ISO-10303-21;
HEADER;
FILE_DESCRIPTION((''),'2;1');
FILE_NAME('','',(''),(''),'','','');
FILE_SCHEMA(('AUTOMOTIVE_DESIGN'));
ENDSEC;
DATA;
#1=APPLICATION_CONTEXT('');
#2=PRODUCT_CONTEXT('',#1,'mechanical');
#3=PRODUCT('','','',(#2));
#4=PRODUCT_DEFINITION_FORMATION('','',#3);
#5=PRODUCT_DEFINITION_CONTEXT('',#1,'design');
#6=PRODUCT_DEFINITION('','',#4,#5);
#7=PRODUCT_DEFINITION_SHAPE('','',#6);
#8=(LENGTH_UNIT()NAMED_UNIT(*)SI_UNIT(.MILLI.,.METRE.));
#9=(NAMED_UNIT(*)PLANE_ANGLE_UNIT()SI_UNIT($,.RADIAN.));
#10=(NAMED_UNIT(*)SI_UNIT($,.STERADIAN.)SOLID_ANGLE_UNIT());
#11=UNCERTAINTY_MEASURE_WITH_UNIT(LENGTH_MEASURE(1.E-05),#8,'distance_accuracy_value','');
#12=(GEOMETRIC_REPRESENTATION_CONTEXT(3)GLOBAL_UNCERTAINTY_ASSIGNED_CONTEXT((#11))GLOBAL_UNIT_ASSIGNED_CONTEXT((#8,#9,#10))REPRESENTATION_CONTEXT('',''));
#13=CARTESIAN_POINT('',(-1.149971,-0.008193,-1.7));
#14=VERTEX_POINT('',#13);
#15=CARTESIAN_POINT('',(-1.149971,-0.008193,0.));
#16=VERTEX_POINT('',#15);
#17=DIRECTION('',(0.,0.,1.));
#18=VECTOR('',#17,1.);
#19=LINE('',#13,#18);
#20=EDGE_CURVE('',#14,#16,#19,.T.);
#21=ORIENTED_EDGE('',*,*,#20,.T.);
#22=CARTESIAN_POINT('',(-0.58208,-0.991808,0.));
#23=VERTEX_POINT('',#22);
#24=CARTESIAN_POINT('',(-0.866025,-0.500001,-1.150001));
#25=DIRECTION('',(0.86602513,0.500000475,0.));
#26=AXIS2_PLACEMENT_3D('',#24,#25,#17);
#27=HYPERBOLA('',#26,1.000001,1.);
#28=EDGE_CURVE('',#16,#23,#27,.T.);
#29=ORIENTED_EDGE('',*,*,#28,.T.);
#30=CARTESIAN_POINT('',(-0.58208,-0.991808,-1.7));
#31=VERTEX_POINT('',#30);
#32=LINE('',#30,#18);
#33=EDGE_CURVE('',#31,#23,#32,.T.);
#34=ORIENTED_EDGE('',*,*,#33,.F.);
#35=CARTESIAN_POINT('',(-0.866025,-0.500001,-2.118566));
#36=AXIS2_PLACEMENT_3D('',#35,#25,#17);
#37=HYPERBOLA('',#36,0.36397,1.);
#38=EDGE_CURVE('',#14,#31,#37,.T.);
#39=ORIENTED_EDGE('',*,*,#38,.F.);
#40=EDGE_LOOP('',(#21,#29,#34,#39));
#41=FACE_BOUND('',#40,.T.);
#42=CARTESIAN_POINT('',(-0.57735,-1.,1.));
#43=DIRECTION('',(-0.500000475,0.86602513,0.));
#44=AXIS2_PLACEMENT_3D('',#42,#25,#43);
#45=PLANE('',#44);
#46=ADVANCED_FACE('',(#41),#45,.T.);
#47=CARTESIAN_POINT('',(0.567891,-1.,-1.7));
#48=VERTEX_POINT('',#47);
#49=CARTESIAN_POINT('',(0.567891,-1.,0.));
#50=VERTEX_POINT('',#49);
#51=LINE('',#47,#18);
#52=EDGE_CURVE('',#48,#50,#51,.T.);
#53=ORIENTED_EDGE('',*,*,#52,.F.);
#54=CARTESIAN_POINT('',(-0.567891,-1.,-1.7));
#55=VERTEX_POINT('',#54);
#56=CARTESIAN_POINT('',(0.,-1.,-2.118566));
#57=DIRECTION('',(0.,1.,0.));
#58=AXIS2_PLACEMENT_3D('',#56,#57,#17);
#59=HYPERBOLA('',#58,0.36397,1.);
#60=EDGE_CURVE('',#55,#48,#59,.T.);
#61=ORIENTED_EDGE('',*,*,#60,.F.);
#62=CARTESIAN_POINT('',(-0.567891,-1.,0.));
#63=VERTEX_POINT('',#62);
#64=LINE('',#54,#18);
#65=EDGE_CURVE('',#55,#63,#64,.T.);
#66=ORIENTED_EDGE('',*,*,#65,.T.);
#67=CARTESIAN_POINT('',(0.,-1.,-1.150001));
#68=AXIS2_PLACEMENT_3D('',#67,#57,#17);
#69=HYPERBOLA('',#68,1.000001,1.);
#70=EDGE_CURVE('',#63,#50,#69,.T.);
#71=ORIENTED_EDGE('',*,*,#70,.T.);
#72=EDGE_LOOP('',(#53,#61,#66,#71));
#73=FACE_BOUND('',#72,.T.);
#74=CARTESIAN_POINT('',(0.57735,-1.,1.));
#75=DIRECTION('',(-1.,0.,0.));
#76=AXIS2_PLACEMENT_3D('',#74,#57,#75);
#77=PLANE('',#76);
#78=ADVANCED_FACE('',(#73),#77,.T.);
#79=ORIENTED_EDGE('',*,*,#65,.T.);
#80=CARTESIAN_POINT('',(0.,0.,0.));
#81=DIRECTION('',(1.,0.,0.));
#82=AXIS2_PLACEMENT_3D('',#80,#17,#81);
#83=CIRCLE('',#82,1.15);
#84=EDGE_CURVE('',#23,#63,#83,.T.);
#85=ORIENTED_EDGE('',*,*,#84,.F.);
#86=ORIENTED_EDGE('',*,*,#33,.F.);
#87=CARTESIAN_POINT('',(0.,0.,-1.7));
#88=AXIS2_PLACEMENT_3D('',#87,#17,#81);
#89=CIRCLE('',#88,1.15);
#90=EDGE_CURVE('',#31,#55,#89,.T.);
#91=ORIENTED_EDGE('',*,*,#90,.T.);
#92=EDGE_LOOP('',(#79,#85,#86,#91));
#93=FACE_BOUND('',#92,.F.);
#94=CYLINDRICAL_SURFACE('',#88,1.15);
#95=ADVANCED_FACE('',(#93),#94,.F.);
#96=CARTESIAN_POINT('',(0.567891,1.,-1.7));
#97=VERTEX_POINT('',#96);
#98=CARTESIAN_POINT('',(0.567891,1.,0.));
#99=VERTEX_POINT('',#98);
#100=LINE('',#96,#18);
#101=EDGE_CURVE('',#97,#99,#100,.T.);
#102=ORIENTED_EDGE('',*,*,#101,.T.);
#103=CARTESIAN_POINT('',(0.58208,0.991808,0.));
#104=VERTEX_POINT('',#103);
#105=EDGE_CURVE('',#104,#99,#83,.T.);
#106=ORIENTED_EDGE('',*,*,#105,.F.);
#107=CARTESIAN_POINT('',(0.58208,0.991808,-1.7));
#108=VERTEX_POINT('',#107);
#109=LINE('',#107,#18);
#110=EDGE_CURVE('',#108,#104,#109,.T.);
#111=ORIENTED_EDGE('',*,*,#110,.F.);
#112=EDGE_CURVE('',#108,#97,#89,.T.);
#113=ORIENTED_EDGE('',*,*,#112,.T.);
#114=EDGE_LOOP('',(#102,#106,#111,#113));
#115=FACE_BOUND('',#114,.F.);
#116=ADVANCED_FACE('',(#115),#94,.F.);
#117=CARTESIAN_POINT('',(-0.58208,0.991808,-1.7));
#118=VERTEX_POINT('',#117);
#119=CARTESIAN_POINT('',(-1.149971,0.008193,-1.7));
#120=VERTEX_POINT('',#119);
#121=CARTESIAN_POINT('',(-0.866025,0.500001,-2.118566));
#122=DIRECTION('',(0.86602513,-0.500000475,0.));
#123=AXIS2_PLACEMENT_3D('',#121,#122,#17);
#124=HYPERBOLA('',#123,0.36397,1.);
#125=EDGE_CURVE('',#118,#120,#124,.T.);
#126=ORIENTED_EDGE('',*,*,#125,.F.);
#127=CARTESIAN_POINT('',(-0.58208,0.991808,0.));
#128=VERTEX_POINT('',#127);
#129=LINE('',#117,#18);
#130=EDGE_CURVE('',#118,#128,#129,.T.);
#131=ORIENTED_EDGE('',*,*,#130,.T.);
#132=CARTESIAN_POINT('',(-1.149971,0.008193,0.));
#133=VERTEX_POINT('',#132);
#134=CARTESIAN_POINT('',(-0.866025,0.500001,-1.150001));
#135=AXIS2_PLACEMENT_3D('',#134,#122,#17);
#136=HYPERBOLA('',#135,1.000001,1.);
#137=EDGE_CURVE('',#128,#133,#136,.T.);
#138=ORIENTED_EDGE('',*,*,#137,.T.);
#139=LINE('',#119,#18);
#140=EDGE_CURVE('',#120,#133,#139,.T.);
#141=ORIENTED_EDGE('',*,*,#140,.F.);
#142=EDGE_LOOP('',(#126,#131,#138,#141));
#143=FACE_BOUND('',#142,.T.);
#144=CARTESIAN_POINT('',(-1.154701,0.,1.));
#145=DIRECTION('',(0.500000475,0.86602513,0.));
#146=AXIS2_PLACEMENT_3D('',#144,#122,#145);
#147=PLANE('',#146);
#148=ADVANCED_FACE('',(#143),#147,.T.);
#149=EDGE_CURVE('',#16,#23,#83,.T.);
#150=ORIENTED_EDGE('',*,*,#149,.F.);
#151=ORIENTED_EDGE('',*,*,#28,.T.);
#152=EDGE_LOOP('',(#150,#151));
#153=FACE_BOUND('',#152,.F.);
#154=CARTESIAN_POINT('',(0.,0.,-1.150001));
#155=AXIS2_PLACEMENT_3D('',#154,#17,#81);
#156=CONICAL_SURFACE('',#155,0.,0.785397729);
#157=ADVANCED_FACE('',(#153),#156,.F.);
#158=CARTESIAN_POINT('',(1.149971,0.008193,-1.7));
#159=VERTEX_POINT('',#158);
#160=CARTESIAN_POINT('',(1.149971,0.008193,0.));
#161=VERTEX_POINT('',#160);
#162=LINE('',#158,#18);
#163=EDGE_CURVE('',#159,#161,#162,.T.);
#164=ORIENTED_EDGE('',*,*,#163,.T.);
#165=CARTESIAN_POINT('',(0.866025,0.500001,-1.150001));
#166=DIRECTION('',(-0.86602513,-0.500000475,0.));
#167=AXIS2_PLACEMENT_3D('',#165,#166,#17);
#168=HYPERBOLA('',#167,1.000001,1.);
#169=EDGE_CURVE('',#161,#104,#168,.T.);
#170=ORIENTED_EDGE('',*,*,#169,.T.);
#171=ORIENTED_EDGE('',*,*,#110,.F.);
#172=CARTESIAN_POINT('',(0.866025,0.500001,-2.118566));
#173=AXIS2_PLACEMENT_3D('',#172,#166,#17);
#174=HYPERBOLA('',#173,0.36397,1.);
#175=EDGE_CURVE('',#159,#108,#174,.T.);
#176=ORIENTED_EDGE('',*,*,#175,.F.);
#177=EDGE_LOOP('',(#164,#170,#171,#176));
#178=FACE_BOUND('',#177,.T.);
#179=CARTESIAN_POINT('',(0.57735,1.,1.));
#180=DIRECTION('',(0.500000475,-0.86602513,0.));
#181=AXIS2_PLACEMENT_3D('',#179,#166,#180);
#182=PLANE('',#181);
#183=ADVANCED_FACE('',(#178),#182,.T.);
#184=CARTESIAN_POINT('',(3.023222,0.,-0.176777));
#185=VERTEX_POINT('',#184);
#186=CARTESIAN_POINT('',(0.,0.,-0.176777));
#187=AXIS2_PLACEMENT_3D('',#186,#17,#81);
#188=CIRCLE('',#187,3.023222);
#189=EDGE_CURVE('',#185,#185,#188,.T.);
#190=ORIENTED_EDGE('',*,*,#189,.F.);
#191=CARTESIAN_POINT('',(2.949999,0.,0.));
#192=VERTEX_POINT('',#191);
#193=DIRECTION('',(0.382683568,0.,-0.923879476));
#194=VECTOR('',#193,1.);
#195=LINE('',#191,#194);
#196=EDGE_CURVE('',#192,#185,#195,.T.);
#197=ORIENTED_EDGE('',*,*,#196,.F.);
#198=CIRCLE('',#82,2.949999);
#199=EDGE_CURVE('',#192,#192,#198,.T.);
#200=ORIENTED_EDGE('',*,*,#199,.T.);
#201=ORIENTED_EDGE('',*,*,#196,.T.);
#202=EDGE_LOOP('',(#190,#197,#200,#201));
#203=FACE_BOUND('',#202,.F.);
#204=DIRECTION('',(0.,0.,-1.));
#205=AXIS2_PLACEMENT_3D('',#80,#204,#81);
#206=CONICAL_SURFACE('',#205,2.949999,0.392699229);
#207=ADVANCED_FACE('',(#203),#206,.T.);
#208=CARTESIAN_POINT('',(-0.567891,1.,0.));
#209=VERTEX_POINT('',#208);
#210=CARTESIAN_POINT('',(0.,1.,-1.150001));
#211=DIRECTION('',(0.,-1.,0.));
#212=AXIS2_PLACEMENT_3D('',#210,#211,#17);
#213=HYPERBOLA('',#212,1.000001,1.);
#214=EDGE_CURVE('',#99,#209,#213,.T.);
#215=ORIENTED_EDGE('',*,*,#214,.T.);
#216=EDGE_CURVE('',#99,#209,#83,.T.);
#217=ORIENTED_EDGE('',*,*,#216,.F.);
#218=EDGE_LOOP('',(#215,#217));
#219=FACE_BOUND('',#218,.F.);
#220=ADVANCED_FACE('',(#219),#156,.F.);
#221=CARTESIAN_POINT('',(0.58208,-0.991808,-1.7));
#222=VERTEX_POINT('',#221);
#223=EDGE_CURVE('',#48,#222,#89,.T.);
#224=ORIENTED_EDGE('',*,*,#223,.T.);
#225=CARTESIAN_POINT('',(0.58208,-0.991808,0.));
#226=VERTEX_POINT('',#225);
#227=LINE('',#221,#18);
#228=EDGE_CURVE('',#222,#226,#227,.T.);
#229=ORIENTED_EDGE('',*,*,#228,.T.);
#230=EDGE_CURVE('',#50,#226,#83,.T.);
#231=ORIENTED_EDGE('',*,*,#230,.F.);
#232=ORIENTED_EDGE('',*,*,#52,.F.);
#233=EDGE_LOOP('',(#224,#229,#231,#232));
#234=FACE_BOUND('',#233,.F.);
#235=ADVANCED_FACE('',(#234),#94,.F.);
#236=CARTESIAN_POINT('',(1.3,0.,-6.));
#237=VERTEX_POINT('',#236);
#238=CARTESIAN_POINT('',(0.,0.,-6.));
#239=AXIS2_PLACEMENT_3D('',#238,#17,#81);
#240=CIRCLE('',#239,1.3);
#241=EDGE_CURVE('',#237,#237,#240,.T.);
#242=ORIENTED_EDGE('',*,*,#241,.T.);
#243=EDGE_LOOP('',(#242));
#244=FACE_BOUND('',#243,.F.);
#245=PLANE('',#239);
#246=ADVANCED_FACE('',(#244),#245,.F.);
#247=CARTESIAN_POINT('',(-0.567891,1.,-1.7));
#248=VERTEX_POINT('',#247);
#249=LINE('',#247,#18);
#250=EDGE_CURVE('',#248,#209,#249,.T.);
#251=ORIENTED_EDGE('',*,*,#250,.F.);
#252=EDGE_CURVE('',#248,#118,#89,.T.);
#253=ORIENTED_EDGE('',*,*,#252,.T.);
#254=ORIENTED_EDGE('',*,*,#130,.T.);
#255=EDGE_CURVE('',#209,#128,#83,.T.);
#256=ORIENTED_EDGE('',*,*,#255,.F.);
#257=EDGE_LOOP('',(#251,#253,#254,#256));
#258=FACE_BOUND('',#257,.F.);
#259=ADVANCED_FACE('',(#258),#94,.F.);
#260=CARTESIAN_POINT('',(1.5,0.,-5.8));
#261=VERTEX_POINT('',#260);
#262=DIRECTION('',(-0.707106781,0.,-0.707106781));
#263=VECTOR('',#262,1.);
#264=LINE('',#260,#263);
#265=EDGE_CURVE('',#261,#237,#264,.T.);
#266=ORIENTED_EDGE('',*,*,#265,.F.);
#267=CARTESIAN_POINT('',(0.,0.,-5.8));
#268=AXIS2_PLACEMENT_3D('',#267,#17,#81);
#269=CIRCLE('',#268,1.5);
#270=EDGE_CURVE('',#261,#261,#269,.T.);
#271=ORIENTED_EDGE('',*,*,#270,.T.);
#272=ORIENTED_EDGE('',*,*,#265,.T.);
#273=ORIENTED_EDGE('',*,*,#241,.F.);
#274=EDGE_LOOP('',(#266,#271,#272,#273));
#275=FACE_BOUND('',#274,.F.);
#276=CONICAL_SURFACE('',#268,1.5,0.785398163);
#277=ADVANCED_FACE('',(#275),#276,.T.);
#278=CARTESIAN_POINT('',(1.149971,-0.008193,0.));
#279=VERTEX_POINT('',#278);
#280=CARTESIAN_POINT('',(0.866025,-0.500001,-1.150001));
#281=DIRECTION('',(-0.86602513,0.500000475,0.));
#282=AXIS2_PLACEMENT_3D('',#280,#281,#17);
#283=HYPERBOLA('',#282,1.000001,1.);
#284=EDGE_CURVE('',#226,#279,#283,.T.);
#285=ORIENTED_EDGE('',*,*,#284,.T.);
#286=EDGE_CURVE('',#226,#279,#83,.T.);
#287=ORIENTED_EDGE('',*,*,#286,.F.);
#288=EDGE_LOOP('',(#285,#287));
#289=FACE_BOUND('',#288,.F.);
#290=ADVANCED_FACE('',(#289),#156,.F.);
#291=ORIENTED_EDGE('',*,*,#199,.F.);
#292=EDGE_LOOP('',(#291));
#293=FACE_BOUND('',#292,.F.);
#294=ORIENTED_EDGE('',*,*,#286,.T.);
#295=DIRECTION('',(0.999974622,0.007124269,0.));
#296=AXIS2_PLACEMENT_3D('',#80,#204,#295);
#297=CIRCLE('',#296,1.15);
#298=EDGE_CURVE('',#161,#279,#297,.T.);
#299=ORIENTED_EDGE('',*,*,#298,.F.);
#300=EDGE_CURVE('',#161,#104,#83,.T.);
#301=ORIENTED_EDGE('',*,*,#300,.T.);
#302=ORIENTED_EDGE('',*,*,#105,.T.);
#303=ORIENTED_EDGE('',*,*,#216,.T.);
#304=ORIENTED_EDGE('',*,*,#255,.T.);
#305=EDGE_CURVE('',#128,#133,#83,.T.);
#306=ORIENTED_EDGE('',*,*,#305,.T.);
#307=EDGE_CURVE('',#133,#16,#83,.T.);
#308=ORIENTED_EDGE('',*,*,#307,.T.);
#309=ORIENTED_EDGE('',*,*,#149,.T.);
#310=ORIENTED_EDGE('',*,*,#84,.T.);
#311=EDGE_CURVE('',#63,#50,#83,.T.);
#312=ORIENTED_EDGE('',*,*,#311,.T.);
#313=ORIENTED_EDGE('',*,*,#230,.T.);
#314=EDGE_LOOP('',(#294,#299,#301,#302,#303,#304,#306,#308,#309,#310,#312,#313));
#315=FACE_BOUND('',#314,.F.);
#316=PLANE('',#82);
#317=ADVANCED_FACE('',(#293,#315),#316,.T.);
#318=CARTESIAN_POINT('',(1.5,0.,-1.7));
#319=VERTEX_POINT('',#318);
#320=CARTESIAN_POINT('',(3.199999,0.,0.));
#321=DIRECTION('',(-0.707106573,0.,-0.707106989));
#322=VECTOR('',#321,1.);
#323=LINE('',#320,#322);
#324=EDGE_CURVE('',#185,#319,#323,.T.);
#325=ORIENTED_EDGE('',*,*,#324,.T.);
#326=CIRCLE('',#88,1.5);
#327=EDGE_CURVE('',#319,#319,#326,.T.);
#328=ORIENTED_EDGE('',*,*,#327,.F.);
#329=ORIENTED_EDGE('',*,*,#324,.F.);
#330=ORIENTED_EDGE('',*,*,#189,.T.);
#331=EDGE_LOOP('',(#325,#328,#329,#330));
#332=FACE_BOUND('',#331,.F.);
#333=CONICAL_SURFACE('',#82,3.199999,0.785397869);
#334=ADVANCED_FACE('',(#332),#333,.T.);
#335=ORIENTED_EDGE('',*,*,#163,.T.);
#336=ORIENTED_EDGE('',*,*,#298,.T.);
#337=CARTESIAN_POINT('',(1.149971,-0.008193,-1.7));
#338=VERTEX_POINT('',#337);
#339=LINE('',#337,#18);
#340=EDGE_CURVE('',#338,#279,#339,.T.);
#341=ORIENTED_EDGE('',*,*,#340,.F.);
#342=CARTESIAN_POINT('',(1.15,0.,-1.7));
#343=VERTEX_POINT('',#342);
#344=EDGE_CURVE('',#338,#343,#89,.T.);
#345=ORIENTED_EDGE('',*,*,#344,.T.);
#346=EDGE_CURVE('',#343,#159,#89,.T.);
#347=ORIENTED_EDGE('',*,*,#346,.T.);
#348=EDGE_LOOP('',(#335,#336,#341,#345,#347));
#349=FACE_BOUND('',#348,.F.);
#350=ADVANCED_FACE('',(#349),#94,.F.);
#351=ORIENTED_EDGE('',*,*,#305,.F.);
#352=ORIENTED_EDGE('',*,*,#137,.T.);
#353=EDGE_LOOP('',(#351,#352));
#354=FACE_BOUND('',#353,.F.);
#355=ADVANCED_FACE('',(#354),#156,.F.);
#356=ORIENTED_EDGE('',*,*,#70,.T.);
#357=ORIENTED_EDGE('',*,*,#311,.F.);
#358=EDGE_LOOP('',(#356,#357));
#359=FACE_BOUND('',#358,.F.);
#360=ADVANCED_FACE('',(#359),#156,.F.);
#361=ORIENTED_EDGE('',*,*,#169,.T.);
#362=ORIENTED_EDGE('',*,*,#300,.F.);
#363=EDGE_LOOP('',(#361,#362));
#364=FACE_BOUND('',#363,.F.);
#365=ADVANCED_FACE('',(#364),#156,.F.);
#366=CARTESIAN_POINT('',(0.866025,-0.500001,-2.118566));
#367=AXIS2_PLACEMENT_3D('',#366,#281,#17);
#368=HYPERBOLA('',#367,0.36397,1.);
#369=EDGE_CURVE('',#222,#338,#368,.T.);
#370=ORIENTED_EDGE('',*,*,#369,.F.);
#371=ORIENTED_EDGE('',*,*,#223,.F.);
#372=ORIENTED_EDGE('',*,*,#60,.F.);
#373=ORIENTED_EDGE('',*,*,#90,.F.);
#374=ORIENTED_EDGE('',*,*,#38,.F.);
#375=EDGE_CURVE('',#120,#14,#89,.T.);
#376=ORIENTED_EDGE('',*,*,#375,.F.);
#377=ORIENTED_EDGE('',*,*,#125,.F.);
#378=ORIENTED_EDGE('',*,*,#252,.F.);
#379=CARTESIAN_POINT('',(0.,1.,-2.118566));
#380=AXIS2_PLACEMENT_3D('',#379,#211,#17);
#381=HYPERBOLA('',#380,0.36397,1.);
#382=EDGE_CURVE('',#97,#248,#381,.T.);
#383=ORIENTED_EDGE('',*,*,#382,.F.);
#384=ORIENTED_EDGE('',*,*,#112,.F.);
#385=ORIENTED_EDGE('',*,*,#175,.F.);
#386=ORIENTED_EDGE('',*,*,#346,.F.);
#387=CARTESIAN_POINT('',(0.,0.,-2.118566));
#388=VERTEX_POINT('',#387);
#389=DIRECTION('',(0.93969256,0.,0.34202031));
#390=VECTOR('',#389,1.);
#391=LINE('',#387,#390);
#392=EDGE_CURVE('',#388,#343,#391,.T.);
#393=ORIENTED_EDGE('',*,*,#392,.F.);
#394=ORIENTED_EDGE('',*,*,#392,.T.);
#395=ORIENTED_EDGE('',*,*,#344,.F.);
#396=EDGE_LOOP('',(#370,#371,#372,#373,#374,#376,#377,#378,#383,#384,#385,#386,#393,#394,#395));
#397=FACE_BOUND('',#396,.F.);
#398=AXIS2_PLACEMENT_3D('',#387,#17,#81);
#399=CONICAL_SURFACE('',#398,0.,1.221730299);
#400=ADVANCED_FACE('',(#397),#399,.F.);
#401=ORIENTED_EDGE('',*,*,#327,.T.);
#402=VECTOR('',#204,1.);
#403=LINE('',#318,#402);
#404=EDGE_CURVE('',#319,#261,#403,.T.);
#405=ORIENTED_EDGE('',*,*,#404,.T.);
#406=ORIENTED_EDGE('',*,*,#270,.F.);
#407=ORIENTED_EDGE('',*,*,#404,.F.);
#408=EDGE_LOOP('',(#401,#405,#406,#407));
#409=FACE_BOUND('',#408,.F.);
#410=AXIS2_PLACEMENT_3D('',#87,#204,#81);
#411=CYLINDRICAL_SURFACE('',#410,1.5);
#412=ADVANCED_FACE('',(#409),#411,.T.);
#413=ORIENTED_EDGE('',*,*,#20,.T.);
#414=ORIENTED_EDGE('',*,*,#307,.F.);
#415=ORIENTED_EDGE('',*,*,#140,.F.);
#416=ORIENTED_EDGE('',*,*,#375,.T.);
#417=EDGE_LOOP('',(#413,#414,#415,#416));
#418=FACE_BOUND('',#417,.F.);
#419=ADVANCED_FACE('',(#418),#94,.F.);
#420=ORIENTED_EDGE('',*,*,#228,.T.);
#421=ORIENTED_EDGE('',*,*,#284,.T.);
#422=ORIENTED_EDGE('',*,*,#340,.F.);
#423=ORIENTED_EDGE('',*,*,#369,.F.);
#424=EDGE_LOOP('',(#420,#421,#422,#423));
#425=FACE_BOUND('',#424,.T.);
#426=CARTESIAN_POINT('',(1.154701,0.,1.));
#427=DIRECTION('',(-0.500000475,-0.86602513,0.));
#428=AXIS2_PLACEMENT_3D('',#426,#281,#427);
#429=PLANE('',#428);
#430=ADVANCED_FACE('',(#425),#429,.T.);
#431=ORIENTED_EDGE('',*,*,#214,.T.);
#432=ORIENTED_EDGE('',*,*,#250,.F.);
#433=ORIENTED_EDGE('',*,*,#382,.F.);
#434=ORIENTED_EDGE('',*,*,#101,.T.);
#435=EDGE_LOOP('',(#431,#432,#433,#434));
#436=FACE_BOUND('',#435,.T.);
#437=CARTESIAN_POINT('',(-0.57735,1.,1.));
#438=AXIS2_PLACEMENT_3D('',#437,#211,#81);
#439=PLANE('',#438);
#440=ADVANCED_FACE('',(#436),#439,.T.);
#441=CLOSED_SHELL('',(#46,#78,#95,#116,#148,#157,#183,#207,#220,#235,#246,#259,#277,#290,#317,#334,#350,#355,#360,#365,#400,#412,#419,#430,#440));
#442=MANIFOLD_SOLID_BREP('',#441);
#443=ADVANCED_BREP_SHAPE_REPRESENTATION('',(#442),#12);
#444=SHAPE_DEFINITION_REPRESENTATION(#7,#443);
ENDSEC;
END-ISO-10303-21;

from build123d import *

# Parameters (mm, degrees)
SKETCH001_R     = 2.15
POCKET_DEPTH    = 3.119566
CHAMFER_SIZE    = 0.25
CHAMFER001_SIZE = 0.2


with BuildPart() as pocket:
    # Sketch003 → Revolution001 (revolve)
    with BuildSketch(Plane.XZ):
        Polygon((0, -2.118566), (1.15, -1.7), (1.15, 1), (0, 1), align=None)
    revolve(axis=Axis((0, 0, 0), (0, 0, 1)))

    # Sketch001 → Pocket (cut, through all)
    with BuildSketch(Plane(origin=(0, 0, 1), x_dir=(-1, 0, 0), z_dir=(0, 0, 1))):
        Circle(SKETCH001_R)
        Polygon((-0.57735, 1), (0.57735, 1), (1.154701, 0), (0.57735, -1), (-0.57735, -1), (-1.154701, 0), align=None, mode=Mode.SUBTRACT)
    extrude(amount=-POCKET_DEPTH, mode=Mode.SUBTRACT)


with BuildPart() as chamfer001:
    # Sketch → Revolution (revolve)
    with BuildSketch(Plane.XZ):
        Polygon((1.15, 0), (3.199999, 0), (1.5, -1.7), (1.5, -6), (0, -6), (0, -1.150001), align=None)
    revolve(axis=Axis((0, 0, 0), (0, 0, 1)))

    # Cut: cut Pocket
    add(pocket.part, mode=Mode.SUBTRACT)

    # Chamfer
    chamfer_edges = [chamfer001.edges().sort_by_distance(p)[0] for p in [
        (-3.199999, 0, 0),
    ]]
    chamfer(chamfer_edges, length=CHAMFER_SIZE)

    # Chamfer001
    chamfer001_edges = [chamfer001.edges().sort_by_distance(p)[0] for p in [
        (-1.5, 0, -6),
    ]]
    chamfer(chamfer001_edges, length=CHAMFER001_SIZE)


solid = chamfer001.part
